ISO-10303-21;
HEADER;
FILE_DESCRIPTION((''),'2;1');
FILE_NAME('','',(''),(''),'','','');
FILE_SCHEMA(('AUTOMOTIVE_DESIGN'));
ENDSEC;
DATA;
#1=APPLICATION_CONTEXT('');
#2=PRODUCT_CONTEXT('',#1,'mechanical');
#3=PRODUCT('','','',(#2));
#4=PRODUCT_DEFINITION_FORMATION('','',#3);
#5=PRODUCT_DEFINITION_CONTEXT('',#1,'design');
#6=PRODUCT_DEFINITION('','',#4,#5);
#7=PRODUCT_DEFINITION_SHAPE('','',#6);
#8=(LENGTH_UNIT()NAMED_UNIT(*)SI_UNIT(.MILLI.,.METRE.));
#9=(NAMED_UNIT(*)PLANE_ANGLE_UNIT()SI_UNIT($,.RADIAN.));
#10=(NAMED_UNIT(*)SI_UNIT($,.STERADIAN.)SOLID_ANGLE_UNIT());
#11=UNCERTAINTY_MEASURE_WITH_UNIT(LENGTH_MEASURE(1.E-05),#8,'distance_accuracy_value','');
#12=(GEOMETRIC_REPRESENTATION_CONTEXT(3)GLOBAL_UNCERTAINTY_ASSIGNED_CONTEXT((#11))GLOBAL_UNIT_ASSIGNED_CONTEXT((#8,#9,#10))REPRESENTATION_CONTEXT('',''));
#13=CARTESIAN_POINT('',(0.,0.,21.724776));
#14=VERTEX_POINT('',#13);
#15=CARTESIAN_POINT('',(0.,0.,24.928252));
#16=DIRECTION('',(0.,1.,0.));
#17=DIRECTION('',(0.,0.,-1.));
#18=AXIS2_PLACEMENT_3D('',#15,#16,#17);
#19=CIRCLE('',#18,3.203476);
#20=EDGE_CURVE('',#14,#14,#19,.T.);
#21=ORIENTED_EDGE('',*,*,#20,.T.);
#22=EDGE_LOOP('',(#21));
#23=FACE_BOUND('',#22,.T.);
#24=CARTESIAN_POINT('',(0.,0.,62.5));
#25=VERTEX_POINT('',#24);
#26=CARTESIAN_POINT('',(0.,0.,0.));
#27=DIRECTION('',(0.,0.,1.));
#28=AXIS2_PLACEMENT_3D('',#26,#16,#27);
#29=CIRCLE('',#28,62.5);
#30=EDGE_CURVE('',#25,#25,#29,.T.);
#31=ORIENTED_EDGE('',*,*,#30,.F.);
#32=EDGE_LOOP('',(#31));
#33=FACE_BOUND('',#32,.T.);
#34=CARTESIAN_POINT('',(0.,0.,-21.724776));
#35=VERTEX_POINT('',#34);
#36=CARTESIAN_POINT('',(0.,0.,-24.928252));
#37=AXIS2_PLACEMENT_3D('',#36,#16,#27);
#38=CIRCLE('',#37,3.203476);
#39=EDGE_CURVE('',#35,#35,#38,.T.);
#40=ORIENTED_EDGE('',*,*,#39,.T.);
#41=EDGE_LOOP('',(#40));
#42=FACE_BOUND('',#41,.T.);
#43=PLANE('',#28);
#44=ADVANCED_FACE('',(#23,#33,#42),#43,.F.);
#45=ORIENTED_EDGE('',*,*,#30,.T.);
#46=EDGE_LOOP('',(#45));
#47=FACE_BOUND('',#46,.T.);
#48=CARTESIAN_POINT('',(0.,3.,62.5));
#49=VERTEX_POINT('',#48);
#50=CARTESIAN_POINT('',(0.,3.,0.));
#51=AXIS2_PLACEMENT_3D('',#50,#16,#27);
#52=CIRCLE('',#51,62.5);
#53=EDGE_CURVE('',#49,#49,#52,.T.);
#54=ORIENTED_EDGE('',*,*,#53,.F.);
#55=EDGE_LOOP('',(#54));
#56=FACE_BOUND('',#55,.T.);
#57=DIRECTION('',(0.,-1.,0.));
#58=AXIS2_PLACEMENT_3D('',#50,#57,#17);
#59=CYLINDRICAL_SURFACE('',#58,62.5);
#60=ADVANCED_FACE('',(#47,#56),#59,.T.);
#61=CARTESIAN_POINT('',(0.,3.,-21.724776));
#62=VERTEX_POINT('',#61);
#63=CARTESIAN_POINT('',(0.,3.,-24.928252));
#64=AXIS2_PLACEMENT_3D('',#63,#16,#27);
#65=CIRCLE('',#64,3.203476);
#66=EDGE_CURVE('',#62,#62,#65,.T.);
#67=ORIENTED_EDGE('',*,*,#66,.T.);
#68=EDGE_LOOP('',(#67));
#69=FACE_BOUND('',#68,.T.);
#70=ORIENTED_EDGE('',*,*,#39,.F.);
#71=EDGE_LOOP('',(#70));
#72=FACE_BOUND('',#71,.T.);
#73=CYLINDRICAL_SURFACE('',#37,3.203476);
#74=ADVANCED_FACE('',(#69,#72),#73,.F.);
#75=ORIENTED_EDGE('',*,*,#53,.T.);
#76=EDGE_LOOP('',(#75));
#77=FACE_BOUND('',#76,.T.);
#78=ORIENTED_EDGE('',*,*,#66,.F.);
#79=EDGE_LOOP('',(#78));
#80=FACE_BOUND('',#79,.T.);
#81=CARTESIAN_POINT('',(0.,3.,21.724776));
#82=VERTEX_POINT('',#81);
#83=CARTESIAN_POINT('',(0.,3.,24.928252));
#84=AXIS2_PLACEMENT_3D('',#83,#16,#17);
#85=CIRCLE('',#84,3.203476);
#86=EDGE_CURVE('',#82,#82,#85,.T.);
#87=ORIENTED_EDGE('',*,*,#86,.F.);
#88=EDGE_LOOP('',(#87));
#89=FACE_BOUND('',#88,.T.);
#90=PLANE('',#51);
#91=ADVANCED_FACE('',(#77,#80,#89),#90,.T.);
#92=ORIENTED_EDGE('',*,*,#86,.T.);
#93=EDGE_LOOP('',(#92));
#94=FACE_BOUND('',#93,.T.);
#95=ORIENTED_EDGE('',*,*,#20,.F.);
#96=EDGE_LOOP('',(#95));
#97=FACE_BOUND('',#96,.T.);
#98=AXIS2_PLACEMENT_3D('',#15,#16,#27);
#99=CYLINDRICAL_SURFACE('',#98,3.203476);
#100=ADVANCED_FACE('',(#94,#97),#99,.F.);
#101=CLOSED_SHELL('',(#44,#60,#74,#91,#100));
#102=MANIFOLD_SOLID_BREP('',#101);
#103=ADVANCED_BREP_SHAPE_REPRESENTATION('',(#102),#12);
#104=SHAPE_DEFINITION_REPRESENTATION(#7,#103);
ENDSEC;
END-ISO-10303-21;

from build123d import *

# Parameters (mm, degrees)
SKETCH1_R           = 62.5
BOSS_EXTRUDE1_DEPTH = 3
SKETCH2_R           = 3.203476481
CUT_EXTRUDE1_DEPTH  = 4


with BuildPart() as part:
    # Sketch1 → Boss-Extrude1 (new body)
    with BuildSketch(Plane(origin=(0, 0, 0), x_dir=(1, 0, 0), z_dir=(0, 1, 0))):
        Circle(SKETCH1_R)
    extrude(amount=BOSS_EXTRUDE1_DEPTH)

    # Sketch2 → Cut-Extrude1 (cut, through all)
    with BuildSketch(Plane(origin=(0, 3, 0), x_dir=(1, 0, 0), z_dir=(0, 1, 0))):
        with Locations((0, 24.928251989)):
            Circle(SKETCH2_R)
        with Locations((0, -24.928251989)):
            Circle(SKETCH2_R)
    extrude(amount=-CUT_EXTRUDE1_DEPTH, mode=Mode.SUBTRACT)


solid = part.part
